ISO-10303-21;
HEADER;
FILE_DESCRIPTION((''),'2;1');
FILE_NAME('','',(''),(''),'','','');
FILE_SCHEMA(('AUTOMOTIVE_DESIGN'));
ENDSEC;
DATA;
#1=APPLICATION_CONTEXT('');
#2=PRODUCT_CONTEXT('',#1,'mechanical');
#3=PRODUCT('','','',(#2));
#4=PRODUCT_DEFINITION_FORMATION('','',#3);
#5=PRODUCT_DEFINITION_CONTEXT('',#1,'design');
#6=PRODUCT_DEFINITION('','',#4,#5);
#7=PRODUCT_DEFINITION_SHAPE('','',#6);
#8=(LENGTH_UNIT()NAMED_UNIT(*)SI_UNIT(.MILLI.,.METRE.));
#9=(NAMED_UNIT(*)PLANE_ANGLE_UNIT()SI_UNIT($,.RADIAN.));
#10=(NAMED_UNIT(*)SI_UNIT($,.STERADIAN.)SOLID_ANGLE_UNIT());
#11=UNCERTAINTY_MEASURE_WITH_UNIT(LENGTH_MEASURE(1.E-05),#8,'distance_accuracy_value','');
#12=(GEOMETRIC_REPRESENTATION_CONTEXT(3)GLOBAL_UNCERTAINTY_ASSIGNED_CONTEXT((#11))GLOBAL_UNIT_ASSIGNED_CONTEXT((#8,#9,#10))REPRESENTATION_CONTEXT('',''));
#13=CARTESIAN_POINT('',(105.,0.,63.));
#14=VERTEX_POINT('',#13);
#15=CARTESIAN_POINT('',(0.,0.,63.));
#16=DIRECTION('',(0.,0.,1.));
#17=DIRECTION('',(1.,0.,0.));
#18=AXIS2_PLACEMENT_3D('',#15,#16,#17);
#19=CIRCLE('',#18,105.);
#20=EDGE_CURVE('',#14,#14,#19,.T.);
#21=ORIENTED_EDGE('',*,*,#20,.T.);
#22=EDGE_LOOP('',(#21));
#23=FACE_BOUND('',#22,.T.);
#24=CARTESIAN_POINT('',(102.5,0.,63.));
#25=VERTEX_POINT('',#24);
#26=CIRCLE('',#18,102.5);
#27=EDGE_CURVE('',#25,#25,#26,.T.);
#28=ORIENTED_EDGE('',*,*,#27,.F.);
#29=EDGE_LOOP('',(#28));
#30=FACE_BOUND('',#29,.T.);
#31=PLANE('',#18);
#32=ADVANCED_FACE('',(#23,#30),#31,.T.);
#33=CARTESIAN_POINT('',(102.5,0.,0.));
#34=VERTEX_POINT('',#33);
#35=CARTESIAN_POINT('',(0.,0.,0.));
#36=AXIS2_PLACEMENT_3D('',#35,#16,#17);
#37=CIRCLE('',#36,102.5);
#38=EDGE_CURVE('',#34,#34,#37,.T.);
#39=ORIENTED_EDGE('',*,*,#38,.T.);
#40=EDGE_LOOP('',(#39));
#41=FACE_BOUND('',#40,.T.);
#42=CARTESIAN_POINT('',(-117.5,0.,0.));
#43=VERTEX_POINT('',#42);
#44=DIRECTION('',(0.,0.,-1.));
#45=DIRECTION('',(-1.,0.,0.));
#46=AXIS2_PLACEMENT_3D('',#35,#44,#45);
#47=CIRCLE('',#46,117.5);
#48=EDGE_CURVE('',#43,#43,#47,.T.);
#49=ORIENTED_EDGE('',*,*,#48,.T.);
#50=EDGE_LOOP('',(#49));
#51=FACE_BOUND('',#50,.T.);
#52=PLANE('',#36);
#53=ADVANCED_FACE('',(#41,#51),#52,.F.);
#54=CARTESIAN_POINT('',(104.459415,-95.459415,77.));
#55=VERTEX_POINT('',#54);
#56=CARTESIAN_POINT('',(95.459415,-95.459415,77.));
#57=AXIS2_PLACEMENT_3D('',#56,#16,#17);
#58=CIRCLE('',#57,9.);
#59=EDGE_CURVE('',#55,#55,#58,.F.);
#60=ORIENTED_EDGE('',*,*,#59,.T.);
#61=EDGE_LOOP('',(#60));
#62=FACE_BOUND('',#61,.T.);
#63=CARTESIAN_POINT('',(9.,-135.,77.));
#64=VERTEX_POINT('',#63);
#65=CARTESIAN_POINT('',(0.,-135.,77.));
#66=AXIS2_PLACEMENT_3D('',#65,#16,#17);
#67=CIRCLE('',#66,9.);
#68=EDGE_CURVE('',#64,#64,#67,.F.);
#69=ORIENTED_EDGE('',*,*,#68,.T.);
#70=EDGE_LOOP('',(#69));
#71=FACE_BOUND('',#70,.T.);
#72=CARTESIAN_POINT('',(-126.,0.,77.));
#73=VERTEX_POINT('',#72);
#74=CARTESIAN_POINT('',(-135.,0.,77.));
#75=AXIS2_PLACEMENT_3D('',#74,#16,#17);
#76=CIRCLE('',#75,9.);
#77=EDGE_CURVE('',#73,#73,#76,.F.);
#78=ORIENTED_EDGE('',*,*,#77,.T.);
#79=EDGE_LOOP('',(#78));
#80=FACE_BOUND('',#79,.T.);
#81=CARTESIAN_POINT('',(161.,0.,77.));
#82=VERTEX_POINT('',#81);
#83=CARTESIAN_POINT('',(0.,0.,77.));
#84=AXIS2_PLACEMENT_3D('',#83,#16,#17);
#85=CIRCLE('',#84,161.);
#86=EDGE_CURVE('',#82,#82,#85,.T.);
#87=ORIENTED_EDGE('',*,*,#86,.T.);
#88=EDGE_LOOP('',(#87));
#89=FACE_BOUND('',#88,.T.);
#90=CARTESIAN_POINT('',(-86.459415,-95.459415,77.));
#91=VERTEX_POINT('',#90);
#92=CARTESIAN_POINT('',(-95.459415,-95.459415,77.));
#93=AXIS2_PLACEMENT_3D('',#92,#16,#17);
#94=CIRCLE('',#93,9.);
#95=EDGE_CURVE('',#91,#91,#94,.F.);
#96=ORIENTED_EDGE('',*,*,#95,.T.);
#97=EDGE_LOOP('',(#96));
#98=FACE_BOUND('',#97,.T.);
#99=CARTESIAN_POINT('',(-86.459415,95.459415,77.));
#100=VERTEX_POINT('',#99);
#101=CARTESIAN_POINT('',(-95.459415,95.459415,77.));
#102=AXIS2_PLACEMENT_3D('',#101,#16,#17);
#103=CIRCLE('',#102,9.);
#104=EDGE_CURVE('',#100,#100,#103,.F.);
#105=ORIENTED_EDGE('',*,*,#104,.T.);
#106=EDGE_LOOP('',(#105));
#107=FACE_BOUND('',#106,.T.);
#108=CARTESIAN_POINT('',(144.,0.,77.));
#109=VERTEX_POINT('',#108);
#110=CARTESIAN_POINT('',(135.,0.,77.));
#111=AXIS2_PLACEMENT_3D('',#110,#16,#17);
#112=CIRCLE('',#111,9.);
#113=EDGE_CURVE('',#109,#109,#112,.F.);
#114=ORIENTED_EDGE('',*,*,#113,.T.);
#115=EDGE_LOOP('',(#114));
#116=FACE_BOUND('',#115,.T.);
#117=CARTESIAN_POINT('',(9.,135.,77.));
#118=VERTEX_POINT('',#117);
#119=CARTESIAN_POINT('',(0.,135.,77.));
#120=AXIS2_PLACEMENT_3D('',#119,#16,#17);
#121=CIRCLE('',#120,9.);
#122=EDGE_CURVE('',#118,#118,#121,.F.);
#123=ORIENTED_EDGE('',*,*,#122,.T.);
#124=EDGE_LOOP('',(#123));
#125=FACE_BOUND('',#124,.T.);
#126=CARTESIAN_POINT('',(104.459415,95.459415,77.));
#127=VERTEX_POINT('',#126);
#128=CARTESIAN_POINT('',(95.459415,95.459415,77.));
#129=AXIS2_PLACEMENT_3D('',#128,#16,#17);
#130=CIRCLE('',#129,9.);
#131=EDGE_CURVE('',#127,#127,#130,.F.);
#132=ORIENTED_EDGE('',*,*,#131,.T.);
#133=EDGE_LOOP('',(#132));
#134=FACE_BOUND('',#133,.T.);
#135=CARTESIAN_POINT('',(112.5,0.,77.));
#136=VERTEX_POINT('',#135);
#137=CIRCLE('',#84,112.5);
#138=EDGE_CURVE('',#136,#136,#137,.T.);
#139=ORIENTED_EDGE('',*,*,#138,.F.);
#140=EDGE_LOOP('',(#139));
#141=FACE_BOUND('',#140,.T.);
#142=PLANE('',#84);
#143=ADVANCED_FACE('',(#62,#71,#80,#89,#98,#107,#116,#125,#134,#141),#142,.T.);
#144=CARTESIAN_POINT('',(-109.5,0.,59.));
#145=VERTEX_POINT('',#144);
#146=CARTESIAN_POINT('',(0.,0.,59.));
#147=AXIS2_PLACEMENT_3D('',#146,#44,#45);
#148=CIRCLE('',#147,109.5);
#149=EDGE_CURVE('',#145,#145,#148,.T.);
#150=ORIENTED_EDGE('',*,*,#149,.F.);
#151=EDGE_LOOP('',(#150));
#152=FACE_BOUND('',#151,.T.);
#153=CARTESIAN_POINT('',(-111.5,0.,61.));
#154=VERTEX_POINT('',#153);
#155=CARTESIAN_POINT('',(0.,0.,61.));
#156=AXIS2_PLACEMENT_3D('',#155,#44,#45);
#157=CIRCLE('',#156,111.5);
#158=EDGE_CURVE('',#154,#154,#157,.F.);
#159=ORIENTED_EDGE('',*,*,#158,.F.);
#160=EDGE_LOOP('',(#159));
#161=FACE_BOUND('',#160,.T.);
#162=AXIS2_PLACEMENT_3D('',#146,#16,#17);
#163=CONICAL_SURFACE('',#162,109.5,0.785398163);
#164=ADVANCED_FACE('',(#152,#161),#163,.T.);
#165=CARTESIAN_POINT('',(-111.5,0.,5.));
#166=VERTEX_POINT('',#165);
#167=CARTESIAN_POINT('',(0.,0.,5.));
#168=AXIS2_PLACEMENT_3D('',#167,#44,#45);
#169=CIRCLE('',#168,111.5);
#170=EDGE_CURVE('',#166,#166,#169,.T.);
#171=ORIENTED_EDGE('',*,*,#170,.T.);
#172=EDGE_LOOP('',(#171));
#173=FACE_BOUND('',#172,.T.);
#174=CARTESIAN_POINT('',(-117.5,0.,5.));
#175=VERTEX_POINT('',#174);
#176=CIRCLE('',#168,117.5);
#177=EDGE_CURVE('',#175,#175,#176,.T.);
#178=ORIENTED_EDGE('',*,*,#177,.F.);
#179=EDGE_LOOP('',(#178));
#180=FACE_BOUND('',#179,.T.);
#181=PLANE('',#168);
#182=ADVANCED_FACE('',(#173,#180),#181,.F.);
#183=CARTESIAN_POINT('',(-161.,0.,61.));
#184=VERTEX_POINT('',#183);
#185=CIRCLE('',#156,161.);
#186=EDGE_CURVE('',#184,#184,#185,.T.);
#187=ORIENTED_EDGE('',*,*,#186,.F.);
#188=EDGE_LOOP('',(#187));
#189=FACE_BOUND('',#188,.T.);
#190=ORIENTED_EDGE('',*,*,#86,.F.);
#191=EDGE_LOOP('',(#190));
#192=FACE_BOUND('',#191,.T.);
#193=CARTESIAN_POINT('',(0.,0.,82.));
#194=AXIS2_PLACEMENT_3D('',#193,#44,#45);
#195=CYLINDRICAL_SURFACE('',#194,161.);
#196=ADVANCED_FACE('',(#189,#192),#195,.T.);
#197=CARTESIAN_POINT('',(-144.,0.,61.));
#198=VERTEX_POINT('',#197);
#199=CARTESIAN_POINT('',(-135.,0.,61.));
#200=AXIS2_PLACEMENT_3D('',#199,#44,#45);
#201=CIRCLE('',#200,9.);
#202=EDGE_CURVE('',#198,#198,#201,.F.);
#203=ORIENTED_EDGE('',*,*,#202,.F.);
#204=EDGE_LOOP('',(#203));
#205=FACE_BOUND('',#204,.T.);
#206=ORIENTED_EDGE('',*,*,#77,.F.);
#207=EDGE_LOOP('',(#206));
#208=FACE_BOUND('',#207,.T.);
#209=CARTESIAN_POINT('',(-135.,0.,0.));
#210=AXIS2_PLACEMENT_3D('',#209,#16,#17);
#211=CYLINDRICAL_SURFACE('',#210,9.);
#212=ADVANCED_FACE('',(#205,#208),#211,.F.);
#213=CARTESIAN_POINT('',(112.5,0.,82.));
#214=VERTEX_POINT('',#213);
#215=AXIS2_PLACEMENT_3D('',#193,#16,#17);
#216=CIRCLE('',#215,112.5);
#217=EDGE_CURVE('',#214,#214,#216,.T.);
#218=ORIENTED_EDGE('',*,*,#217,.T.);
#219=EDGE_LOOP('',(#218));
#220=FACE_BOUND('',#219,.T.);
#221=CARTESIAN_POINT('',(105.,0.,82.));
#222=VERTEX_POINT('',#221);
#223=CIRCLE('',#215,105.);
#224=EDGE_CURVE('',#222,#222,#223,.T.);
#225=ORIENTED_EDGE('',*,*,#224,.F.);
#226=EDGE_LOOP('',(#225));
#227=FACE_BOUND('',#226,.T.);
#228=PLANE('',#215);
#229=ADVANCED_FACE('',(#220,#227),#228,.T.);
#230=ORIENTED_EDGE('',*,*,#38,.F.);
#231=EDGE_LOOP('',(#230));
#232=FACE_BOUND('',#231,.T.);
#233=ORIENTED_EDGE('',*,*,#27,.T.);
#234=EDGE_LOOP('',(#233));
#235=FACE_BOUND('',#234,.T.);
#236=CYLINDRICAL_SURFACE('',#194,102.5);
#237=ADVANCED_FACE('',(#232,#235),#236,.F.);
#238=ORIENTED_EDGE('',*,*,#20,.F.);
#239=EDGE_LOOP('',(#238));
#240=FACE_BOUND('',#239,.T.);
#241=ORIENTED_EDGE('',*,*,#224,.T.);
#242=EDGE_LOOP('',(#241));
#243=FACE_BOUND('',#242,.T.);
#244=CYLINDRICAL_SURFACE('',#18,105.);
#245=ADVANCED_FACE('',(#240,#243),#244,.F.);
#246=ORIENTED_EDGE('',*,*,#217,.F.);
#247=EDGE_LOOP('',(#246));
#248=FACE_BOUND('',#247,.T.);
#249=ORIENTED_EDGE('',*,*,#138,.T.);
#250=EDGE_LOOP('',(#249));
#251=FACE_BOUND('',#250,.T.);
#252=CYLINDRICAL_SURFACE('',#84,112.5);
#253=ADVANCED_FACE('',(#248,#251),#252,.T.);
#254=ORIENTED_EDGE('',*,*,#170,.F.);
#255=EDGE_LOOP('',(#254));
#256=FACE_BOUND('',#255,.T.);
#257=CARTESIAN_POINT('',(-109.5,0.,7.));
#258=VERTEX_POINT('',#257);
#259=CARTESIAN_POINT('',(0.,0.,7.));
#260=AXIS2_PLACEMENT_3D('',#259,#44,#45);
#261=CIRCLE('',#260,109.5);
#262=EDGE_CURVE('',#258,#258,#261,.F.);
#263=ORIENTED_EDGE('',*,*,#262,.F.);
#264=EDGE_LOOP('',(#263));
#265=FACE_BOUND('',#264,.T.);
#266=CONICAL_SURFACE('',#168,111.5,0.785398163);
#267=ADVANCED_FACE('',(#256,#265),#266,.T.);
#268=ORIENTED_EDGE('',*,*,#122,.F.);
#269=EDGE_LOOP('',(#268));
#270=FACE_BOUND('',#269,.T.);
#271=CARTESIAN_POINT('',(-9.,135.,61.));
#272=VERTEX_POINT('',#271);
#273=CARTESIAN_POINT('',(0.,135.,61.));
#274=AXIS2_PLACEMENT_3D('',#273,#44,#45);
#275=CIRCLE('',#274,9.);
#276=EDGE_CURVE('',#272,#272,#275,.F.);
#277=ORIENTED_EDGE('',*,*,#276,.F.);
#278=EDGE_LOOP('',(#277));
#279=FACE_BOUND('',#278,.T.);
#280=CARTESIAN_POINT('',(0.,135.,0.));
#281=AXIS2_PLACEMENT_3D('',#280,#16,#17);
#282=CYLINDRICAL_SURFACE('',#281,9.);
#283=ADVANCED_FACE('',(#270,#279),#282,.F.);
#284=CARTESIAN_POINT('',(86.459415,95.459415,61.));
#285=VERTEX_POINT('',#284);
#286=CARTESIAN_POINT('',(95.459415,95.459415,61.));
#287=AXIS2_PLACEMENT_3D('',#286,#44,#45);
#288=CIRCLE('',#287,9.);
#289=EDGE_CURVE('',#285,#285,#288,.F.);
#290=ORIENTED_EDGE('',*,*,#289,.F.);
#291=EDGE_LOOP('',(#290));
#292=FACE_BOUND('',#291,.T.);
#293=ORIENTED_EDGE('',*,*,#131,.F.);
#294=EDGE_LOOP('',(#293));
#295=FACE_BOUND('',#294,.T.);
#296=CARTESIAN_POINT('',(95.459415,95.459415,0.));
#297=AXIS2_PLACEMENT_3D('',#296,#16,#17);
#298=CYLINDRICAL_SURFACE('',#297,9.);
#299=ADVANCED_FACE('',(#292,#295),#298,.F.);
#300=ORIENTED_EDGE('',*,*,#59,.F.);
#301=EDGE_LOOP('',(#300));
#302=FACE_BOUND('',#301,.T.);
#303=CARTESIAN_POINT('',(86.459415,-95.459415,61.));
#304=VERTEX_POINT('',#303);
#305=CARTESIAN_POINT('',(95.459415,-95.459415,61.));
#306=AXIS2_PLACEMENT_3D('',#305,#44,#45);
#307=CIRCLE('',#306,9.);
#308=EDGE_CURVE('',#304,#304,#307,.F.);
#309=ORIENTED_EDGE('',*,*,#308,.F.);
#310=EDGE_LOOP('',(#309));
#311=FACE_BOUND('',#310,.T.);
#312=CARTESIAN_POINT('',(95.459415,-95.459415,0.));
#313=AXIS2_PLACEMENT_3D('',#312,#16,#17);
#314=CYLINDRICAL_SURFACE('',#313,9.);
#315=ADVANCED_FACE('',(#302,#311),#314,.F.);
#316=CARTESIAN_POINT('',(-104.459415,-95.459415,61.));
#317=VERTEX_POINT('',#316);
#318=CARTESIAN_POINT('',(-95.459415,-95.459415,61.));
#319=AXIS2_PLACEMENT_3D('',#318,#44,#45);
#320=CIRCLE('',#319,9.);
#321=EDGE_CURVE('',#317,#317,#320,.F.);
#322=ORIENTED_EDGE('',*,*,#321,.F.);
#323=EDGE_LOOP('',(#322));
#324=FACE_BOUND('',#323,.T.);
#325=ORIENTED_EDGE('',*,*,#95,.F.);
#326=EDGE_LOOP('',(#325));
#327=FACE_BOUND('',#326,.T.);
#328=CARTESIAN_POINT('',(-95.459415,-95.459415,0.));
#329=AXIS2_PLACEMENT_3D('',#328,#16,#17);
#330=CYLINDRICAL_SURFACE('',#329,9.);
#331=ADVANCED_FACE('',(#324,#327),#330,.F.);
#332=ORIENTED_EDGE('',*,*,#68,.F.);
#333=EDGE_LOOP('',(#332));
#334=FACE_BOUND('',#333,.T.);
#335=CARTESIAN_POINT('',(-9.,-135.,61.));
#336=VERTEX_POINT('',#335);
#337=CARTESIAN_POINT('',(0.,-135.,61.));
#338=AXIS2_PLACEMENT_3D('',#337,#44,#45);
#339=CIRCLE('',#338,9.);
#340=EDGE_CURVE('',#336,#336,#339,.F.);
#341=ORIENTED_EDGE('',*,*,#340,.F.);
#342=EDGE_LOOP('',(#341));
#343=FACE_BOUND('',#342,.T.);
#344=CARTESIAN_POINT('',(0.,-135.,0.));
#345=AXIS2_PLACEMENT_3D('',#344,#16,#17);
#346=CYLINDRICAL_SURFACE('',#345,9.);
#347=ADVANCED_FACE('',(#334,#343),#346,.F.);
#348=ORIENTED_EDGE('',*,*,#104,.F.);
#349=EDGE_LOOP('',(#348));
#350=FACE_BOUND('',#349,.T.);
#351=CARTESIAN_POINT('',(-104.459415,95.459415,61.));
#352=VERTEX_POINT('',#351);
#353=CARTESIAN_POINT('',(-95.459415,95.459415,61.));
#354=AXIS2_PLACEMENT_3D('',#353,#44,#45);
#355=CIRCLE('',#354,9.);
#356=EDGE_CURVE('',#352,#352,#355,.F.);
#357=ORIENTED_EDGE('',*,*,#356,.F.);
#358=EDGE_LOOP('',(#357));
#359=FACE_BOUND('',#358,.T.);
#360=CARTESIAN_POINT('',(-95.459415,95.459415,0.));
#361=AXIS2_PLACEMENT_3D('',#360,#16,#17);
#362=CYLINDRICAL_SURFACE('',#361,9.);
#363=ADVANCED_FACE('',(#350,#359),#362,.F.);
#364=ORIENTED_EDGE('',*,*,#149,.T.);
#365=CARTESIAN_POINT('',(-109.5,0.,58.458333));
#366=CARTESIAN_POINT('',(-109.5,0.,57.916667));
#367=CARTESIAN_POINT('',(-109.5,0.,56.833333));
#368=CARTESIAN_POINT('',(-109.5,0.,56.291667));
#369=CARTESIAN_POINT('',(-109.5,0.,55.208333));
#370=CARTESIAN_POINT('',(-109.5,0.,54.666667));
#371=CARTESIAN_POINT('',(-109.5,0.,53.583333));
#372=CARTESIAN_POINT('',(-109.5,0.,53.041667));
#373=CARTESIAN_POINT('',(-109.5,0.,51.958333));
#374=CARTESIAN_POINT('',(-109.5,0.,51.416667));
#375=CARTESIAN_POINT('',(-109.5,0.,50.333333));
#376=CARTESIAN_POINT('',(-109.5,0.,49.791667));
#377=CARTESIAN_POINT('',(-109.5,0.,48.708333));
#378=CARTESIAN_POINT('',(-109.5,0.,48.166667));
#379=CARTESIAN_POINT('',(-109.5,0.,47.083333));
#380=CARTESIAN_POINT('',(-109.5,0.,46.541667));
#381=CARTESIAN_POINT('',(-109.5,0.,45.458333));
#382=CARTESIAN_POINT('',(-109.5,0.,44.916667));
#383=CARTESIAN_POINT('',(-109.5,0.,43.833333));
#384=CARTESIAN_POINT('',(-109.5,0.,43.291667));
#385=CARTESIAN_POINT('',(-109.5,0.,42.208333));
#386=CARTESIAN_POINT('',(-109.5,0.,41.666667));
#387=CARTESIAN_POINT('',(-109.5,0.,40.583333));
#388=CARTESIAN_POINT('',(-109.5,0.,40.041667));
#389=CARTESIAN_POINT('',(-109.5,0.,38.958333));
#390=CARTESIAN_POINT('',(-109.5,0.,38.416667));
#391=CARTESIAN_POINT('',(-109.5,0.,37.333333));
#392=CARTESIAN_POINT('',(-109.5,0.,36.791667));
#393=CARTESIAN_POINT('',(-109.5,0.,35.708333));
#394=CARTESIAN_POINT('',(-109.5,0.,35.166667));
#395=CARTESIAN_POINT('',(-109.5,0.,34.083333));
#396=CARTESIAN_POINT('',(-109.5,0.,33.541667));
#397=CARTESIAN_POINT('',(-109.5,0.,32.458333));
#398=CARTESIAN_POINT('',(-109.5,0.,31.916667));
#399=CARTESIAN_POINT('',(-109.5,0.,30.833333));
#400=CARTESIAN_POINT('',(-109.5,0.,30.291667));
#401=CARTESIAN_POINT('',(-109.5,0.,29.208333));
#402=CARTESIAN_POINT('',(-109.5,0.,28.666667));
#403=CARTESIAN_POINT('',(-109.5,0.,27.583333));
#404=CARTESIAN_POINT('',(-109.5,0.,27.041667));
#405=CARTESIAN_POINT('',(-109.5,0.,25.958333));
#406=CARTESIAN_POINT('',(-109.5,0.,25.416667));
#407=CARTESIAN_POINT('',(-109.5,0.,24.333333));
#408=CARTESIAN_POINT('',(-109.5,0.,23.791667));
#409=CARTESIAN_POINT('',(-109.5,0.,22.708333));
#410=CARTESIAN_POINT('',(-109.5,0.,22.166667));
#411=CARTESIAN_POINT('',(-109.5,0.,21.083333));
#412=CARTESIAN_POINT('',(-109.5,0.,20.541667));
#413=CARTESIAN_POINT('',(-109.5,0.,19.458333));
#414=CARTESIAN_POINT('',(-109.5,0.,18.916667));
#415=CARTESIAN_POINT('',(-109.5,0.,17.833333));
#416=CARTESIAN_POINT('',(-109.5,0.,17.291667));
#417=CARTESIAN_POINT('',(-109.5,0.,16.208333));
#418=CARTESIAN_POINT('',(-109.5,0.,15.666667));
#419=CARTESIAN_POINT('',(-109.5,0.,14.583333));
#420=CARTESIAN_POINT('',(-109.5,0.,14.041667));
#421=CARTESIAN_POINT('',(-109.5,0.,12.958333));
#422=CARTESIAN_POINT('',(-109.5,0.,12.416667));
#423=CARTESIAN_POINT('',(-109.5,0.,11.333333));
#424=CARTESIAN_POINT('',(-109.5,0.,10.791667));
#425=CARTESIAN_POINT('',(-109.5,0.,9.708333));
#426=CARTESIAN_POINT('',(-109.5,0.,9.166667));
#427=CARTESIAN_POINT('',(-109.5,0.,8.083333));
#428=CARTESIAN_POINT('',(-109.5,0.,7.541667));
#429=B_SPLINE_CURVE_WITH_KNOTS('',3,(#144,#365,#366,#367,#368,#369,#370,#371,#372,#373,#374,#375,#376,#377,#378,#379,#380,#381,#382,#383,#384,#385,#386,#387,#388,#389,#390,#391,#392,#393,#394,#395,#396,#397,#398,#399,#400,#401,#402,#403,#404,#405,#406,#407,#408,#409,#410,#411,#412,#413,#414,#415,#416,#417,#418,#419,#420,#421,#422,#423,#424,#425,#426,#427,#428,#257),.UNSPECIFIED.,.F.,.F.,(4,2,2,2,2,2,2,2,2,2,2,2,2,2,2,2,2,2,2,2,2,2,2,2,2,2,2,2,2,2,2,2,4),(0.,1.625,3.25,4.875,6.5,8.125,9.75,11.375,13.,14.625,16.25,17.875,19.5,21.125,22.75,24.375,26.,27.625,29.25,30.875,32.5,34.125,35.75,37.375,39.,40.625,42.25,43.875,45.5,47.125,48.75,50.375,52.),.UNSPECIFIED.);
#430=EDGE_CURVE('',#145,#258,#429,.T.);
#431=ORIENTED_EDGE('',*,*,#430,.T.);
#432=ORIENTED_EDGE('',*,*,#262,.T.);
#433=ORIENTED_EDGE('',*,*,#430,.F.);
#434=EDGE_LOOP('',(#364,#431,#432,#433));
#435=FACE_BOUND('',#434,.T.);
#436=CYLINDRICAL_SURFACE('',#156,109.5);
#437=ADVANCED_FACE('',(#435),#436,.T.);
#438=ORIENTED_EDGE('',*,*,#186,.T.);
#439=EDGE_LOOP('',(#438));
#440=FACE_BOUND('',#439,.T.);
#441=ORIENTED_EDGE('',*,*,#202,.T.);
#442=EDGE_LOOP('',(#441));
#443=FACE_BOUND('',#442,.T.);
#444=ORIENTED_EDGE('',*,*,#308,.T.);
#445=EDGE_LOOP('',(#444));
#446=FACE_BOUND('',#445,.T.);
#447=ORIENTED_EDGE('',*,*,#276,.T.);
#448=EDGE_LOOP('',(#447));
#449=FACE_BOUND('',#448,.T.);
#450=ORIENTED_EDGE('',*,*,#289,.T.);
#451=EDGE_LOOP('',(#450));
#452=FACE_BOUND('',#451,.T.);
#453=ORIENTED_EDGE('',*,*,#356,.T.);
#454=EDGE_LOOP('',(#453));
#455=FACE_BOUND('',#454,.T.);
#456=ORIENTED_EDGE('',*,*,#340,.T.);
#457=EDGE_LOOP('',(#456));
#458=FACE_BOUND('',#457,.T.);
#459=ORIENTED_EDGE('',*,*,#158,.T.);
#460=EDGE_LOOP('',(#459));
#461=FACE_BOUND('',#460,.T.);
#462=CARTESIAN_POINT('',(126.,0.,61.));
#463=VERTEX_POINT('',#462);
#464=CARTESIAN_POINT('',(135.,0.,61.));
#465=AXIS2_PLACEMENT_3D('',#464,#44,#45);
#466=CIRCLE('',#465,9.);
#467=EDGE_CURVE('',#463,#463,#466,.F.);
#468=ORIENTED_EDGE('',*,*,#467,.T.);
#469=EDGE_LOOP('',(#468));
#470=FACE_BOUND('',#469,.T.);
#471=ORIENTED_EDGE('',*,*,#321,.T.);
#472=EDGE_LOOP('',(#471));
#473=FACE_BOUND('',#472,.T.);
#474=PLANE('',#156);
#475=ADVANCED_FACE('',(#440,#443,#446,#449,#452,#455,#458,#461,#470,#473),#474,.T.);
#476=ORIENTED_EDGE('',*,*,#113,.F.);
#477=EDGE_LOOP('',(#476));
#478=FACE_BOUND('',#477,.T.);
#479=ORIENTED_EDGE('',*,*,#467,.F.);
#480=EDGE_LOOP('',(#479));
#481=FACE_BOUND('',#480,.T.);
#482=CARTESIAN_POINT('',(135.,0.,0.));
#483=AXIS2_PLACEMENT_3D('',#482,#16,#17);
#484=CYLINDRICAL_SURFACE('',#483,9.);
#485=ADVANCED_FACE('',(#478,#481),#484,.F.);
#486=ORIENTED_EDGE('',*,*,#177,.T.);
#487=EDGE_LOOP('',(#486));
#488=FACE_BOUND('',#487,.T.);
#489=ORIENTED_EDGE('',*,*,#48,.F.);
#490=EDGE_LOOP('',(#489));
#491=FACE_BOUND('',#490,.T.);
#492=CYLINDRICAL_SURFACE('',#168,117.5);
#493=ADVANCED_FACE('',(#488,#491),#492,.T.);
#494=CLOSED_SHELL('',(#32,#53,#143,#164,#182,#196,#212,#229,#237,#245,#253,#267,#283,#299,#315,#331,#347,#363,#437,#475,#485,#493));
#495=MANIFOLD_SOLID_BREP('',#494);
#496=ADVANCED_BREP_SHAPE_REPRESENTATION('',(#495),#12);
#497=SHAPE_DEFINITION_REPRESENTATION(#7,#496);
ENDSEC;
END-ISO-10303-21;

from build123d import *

# Parameters (mm, degrees)
SKETCH1_R           = 161
SKETCH1_R_2         = 102.5
BOSS_EXTRUDE1_DEPTH = 82
SKETCH2_R           = 9
CUT_EXTRUDE1_DEPTH  = 243.004132196
CIRPATTERN1_COUNT   = 8
SKETCH3_R           = 161
SKETCH3_R_2         = 109.5
CUT_EXTRUDE2_DEPTH  = 61
SKETCH4_R           = 117.5
SKETCH4_R_2         = 109.5
BOSS_EXTRUDE3_DEPTH = 5
CUT_EXTRUDE3_START  = -5
SKETCH6_R           = 161
SKETCH6_R_2         = 112.5
CUT_EXTRUDE3_DEPTH  = 5
CHAMFER1_SIZE       = 2
CHAMFER2_SIZE       = 2
SKETCH8_R           = 105
CUT_EXTRUDE5_DEPTH  = 19


with BuildPart() as part:
    # Sketch1 → Boss-Extrude1 (new body)
    with BuildSketch(Plane.XY):
        Circle(SKETCH1_R)
        Circle(SKETCH1_R_2, mode=Mode.SUBTRACT)
    extrude(amount=BOSS_EXTRUDE1_DEPTH)

    # Sketch2 → Cut-Extrude1 (cut, through all)
    with BuildSketch(Plane.XY.offset(82)):
        with Locations((0, 135)):
            Circle(SKETCH2_R)
    cut_extrude1 = extrude(amount=-CUT_EXTRUDE1_DEPTH, mode=Mode.SUBTRACT)

    # CirPattern1: Cut-Extrude1 ×8 about axis
    cirpattern1_axis = Axis((0, 0, 0), (0, 0, 1))
    for i in range(1, CIRPATTERN1_COUNT):
        add(cut_extrude1.rotate(cirpattern1_axis, i * 360 / CIRPATTERN1_COUNT), mode=Mode.SUBTRACT)

    # Sketch3 → Cut-Extrude2 (cut)
    with BuildSketch(Plane(origin=(0, 0, 0), x_dir=(-1, 0, 0), z_dir=(0, 0, -1))):
        Circle(SKETCH3_R)
        Circle(SKETCH3_R_2, mode=Mode.SUBTRACT)
    extrude(amount=-CUT_EXTRUDE2_DEPTH, mode=Mode.SUBTRACT)

    # Sketch4 → Boss-Extrude3 (add)
    with BuildSketch(Plane(origin=(0, 0, 0), x_dir=(-1, 0, 0), z_dir=(0, 0, -1))):
        Circle(SKETCH4_R)
        Circle(SKETCH4_R_2, mode=Mode.SUBTRACT)
    extrude(amount=-BOSS_EXTRUDE3_DEPTH)

    # Sketch6 → Cut-Extrude3 (cut)
    with BuildSketch(Plane.XY.offset(82).offset(CUT_EXTRUDE3_START)):
        with Locations(Location((0, 0, 0), (0, 0, 180))):
            Circle(SKETCH6_R)
        Circle(SKETCH6_R_2, mode=Mode.SUBTRACT)
    extrude(amount=CUT_EXTRUDE3_DEPTH, mode=Mode.SUBTRACT)

    # Chamfer1
    chamfer1_edges = [part.edges().sort_by_distance(p)[0] for p in [
        (109.5, 0, 5),
    ]]
    chamfer(chamfer1_edges, length=CHAMFER1_SIZE)

    # Chamfer2
    chamfer2_edges = [part.edges().sort_by_distance(p)[0] for p in [
        (109.5, 0, 61),
    ]]
    chamfer(chamfer2_edges, length=CHAMFER2_SIZE)

    # Sketch8 → Cut-Extrude5 (cut)
    with BuildSketch(Plane.XY.offset(82)):
        Circle(SKETCH8_R)
    extrude(amount=-CUT_EXTRUDE5_DEPTH, mode=Mode.SUBTRACT)


solid = part.part
